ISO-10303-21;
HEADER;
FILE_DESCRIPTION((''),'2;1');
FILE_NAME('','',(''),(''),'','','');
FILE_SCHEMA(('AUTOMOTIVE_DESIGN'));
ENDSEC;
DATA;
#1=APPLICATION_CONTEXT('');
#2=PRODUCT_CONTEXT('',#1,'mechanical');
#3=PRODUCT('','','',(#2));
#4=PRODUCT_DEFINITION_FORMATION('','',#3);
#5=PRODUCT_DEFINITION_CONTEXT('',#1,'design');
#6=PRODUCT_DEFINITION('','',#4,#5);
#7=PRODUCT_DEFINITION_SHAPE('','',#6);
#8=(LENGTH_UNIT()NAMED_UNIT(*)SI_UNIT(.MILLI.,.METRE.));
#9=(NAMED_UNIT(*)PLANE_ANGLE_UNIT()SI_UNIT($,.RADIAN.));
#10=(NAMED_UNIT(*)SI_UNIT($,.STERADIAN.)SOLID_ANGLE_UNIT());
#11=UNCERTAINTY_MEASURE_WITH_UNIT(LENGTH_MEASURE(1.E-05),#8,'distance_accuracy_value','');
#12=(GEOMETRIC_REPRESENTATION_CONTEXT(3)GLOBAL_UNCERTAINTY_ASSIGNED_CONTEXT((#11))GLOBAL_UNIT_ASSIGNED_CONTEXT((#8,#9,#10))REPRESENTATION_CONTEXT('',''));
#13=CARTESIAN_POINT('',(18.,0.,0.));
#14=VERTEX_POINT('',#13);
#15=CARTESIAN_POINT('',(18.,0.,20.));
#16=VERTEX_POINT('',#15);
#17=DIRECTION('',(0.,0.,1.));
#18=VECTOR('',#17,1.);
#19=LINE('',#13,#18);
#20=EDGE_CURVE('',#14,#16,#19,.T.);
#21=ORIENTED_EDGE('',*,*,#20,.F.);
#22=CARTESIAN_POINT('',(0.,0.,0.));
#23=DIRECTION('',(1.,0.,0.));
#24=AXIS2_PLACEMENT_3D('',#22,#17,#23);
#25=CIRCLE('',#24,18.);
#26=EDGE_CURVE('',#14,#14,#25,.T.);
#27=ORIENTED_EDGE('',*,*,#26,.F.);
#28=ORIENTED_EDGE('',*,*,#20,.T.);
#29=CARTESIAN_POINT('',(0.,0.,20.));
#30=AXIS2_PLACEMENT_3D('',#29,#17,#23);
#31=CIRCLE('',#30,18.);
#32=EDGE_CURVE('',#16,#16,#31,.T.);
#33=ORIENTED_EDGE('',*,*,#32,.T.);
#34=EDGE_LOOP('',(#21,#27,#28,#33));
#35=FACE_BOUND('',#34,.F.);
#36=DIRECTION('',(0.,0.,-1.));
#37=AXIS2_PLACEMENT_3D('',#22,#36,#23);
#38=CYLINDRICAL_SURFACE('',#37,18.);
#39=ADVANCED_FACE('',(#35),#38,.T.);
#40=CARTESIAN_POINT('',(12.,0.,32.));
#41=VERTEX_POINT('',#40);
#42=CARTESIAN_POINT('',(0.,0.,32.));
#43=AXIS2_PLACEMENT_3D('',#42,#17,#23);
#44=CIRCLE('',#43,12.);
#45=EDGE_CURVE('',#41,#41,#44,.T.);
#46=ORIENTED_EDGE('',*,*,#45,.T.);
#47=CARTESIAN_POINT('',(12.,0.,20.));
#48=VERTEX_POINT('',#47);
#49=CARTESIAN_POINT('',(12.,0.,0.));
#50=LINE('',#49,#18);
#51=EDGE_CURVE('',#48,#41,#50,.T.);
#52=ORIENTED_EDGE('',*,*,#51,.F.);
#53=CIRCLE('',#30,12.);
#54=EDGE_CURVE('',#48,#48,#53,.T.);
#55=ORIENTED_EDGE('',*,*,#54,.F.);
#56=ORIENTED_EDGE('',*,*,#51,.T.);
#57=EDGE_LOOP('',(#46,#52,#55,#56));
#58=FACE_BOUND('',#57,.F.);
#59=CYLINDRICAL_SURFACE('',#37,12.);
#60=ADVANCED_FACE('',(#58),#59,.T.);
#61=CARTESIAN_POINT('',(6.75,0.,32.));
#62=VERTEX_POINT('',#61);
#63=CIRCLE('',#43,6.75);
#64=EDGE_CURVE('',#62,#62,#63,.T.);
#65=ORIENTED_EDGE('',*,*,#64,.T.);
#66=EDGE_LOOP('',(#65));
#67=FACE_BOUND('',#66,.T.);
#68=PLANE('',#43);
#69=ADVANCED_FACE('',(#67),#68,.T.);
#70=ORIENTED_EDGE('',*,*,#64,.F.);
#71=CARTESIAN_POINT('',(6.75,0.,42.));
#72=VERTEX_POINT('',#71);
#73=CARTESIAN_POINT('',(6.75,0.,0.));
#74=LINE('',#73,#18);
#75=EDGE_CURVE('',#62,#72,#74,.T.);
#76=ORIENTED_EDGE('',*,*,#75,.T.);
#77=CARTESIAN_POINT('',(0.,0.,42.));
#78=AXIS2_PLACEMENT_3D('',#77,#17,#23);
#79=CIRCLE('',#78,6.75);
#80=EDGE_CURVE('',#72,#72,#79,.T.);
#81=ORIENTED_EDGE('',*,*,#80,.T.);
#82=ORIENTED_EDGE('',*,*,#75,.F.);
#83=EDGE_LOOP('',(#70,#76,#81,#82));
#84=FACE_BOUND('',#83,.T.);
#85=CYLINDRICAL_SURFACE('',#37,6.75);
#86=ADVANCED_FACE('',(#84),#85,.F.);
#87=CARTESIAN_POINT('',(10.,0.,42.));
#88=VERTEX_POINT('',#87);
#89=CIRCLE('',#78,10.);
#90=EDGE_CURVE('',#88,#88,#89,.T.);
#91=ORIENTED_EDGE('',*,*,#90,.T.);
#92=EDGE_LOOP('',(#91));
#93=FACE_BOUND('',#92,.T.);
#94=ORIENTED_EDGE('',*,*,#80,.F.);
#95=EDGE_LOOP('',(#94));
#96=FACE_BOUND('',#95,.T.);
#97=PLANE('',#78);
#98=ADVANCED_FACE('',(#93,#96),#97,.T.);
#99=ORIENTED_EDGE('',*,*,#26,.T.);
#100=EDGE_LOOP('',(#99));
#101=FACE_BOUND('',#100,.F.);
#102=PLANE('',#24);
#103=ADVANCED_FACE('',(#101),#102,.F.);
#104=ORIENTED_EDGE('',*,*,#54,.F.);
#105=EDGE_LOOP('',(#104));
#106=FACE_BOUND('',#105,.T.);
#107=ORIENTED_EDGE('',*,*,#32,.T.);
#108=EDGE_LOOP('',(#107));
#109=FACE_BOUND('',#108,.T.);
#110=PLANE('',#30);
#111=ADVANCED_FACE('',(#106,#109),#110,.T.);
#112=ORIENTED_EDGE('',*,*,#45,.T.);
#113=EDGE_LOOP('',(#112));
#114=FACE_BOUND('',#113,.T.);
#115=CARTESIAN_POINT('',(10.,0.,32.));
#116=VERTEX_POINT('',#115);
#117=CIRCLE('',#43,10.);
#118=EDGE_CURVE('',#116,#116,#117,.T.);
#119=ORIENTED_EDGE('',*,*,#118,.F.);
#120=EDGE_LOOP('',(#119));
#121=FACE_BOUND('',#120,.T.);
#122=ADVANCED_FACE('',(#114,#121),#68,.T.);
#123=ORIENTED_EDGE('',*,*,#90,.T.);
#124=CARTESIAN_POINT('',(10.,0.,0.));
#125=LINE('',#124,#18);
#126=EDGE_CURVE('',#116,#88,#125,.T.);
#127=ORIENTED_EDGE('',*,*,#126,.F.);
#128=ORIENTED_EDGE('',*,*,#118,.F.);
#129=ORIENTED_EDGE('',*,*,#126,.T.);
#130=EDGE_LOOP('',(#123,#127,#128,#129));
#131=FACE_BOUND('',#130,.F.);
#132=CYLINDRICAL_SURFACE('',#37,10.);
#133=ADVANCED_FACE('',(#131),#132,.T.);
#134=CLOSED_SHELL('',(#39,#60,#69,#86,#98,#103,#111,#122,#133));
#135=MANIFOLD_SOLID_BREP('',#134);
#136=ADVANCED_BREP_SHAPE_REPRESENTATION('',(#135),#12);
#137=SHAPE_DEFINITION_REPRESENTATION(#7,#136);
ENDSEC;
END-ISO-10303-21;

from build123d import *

# Parameters (mm, degrees)
F0_R     = 10
F0_R_2   = 6.75
F1_DEPTH = 42
F0_R_3   = 12
F2_DEPTH = 32
F0_R_4   = 18
F3_DEPTH = 20


with BuildPart() as f1:
    # F0 (on Top) → F1 (new body)
    with BuildSketch(Plane.XY):
        Circle(F0_R)
        Circle(F0_R_2, mode=Mode.SUBTRACT)
    extrude(amount=F1_DEPTH)

    # F0 (on Top) → F2 (join)
    with BuildSketch(Plane.XY):
        Circle(F0_R_3)
        Circle(F0_R, mode=Mode.SUBTRACT)
        Circle(F0_R_2)
    extrude(amount=F2_DEPTH)

    # F0 (on Top) → F3 (join)
    with BuildSketch(Plane.XY):
        Circle(F0_R_4)
        Circle(F0_R_3, mode=Mode.SUBTRACT)
    extrude(amount=F3_DEPTH)


solid = f1.part
